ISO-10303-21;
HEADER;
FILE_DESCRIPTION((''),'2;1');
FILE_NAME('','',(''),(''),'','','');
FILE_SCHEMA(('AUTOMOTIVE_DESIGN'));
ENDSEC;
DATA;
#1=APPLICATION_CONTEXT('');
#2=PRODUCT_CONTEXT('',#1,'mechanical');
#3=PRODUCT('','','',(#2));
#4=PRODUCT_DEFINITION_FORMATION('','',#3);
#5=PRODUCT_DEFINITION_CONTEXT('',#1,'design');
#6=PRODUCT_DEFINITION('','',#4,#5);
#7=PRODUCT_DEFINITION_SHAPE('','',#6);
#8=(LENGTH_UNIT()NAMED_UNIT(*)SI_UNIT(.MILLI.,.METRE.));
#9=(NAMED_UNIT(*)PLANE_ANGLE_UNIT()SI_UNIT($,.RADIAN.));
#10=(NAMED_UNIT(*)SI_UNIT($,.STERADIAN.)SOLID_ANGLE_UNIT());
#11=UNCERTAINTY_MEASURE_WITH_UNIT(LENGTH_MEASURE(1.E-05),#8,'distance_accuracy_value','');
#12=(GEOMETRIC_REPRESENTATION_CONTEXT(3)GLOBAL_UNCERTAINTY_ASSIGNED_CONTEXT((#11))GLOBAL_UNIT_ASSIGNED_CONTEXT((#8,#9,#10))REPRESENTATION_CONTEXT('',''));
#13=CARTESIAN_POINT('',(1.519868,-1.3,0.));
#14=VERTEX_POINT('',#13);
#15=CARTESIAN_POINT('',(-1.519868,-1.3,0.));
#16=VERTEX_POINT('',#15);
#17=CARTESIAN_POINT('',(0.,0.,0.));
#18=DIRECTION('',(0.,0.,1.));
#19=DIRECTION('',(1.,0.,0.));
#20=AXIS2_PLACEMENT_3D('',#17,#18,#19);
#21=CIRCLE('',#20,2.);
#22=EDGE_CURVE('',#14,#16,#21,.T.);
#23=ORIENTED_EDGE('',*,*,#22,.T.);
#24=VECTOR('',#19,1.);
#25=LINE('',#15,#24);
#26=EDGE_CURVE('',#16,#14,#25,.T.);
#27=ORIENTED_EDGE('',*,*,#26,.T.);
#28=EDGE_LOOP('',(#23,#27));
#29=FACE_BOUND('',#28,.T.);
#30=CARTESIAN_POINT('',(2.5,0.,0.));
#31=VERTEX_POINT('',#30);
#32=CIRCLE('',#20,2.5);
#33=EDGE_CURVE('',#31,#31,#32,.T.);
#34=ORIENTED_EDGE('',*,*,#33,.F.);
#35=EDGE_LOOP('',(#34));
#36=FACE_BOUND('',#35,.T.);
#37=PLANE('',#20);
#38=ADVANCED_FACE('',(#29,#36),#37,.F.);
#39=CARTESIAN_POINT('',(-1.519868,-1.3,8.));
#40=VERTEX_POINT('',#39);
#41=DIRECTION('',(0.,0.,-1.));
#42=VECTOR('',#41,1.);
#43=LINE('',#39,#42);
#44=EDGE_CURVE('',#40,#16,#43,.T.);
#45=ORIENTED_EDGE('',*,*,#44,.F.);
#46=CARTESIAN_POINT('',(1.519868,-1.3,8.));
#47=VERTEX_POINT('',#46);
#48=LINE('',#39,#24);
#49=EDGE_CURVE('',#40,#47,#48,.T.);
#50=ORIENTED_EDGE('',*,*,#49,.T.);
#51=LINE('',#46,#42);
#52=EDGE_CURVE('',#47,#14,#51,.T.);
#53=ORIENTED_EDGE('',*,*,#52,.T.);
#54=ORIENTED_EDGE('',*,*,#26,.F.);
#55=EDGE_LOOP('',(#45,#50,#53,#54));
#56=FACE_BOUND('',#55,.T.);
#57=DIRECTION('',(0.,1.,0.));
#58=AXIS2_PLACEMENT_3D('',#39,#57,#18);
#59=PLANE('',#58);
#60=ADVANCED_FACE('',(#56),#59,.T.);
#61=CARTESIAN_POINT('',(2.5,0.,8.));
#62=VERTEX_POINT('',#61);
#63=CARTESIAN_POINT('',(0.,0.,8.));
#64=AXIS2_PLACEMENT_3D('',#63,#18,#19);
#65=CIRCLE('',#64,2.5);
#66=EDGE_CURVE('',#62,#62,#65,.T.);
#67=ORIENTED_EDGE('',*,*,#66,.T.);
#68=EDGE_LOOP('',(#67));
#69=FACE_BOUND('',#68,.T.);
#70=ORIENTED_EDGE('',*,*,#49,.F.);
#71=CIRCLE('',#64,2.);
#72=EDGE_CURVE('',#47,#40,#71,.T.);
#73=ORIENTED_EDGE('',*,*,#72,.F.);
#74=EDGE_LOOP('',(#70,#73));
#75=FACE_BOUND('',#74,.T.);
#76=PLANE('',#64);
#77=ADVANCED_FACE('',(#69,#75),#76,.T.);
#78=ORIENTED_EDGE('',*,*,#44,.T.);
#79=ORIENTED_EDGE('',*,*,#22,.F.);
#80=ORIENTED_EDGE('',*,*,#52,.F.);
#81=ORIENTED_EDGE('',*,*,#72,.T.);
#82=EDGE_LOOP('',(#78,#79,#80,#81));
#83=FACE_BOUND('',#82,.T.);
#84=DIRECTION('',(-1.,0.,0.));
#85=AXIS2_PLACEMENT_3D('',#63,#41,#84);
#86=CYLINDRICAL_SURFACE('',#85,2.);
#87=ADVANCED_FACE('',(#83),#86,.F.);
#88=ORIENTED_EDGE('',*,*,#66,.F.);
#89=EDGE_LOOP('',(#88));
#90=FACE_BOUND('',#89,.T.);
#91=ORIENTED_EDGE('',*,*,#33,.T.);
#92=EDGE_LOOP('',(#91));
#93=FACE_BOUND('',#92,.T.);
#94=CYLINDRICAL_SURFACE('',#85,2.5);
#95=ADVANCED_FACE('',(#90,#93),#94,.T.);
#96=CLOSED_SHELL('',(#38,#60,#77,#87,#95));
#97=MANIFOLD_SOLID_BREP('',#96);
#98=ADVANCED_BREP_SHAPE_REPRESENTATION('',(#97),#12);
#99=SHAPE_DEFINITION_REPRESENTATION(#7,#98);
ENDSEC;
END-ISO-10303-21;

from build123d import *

# Parameters (mm, degrees)
IZIM1_R                     = 2.5
Y_KSEKLIK_EKSTR_ZYON1_DEPTH = 8


with BuildPart() as part:
    # Çizim1 → Yükseklik-Ekstrüzyon1 (new body)
    with BuildSketch(Plane.XY):
        Circle(IZIM1_R)
        with BuildLine():
            Line((-1.519868415, -1.3), (1.519868415, -1.3))
            ThreePointArc((1.519868415, -1.3), (0, 2), (-1.519868415, -1.3))
        make_face(mode=Mode.SUBTRACT)
    extrude(amount=Y_KSEKLIK_EKSTR_ZYON1_DEPTH)


solid = part.part
